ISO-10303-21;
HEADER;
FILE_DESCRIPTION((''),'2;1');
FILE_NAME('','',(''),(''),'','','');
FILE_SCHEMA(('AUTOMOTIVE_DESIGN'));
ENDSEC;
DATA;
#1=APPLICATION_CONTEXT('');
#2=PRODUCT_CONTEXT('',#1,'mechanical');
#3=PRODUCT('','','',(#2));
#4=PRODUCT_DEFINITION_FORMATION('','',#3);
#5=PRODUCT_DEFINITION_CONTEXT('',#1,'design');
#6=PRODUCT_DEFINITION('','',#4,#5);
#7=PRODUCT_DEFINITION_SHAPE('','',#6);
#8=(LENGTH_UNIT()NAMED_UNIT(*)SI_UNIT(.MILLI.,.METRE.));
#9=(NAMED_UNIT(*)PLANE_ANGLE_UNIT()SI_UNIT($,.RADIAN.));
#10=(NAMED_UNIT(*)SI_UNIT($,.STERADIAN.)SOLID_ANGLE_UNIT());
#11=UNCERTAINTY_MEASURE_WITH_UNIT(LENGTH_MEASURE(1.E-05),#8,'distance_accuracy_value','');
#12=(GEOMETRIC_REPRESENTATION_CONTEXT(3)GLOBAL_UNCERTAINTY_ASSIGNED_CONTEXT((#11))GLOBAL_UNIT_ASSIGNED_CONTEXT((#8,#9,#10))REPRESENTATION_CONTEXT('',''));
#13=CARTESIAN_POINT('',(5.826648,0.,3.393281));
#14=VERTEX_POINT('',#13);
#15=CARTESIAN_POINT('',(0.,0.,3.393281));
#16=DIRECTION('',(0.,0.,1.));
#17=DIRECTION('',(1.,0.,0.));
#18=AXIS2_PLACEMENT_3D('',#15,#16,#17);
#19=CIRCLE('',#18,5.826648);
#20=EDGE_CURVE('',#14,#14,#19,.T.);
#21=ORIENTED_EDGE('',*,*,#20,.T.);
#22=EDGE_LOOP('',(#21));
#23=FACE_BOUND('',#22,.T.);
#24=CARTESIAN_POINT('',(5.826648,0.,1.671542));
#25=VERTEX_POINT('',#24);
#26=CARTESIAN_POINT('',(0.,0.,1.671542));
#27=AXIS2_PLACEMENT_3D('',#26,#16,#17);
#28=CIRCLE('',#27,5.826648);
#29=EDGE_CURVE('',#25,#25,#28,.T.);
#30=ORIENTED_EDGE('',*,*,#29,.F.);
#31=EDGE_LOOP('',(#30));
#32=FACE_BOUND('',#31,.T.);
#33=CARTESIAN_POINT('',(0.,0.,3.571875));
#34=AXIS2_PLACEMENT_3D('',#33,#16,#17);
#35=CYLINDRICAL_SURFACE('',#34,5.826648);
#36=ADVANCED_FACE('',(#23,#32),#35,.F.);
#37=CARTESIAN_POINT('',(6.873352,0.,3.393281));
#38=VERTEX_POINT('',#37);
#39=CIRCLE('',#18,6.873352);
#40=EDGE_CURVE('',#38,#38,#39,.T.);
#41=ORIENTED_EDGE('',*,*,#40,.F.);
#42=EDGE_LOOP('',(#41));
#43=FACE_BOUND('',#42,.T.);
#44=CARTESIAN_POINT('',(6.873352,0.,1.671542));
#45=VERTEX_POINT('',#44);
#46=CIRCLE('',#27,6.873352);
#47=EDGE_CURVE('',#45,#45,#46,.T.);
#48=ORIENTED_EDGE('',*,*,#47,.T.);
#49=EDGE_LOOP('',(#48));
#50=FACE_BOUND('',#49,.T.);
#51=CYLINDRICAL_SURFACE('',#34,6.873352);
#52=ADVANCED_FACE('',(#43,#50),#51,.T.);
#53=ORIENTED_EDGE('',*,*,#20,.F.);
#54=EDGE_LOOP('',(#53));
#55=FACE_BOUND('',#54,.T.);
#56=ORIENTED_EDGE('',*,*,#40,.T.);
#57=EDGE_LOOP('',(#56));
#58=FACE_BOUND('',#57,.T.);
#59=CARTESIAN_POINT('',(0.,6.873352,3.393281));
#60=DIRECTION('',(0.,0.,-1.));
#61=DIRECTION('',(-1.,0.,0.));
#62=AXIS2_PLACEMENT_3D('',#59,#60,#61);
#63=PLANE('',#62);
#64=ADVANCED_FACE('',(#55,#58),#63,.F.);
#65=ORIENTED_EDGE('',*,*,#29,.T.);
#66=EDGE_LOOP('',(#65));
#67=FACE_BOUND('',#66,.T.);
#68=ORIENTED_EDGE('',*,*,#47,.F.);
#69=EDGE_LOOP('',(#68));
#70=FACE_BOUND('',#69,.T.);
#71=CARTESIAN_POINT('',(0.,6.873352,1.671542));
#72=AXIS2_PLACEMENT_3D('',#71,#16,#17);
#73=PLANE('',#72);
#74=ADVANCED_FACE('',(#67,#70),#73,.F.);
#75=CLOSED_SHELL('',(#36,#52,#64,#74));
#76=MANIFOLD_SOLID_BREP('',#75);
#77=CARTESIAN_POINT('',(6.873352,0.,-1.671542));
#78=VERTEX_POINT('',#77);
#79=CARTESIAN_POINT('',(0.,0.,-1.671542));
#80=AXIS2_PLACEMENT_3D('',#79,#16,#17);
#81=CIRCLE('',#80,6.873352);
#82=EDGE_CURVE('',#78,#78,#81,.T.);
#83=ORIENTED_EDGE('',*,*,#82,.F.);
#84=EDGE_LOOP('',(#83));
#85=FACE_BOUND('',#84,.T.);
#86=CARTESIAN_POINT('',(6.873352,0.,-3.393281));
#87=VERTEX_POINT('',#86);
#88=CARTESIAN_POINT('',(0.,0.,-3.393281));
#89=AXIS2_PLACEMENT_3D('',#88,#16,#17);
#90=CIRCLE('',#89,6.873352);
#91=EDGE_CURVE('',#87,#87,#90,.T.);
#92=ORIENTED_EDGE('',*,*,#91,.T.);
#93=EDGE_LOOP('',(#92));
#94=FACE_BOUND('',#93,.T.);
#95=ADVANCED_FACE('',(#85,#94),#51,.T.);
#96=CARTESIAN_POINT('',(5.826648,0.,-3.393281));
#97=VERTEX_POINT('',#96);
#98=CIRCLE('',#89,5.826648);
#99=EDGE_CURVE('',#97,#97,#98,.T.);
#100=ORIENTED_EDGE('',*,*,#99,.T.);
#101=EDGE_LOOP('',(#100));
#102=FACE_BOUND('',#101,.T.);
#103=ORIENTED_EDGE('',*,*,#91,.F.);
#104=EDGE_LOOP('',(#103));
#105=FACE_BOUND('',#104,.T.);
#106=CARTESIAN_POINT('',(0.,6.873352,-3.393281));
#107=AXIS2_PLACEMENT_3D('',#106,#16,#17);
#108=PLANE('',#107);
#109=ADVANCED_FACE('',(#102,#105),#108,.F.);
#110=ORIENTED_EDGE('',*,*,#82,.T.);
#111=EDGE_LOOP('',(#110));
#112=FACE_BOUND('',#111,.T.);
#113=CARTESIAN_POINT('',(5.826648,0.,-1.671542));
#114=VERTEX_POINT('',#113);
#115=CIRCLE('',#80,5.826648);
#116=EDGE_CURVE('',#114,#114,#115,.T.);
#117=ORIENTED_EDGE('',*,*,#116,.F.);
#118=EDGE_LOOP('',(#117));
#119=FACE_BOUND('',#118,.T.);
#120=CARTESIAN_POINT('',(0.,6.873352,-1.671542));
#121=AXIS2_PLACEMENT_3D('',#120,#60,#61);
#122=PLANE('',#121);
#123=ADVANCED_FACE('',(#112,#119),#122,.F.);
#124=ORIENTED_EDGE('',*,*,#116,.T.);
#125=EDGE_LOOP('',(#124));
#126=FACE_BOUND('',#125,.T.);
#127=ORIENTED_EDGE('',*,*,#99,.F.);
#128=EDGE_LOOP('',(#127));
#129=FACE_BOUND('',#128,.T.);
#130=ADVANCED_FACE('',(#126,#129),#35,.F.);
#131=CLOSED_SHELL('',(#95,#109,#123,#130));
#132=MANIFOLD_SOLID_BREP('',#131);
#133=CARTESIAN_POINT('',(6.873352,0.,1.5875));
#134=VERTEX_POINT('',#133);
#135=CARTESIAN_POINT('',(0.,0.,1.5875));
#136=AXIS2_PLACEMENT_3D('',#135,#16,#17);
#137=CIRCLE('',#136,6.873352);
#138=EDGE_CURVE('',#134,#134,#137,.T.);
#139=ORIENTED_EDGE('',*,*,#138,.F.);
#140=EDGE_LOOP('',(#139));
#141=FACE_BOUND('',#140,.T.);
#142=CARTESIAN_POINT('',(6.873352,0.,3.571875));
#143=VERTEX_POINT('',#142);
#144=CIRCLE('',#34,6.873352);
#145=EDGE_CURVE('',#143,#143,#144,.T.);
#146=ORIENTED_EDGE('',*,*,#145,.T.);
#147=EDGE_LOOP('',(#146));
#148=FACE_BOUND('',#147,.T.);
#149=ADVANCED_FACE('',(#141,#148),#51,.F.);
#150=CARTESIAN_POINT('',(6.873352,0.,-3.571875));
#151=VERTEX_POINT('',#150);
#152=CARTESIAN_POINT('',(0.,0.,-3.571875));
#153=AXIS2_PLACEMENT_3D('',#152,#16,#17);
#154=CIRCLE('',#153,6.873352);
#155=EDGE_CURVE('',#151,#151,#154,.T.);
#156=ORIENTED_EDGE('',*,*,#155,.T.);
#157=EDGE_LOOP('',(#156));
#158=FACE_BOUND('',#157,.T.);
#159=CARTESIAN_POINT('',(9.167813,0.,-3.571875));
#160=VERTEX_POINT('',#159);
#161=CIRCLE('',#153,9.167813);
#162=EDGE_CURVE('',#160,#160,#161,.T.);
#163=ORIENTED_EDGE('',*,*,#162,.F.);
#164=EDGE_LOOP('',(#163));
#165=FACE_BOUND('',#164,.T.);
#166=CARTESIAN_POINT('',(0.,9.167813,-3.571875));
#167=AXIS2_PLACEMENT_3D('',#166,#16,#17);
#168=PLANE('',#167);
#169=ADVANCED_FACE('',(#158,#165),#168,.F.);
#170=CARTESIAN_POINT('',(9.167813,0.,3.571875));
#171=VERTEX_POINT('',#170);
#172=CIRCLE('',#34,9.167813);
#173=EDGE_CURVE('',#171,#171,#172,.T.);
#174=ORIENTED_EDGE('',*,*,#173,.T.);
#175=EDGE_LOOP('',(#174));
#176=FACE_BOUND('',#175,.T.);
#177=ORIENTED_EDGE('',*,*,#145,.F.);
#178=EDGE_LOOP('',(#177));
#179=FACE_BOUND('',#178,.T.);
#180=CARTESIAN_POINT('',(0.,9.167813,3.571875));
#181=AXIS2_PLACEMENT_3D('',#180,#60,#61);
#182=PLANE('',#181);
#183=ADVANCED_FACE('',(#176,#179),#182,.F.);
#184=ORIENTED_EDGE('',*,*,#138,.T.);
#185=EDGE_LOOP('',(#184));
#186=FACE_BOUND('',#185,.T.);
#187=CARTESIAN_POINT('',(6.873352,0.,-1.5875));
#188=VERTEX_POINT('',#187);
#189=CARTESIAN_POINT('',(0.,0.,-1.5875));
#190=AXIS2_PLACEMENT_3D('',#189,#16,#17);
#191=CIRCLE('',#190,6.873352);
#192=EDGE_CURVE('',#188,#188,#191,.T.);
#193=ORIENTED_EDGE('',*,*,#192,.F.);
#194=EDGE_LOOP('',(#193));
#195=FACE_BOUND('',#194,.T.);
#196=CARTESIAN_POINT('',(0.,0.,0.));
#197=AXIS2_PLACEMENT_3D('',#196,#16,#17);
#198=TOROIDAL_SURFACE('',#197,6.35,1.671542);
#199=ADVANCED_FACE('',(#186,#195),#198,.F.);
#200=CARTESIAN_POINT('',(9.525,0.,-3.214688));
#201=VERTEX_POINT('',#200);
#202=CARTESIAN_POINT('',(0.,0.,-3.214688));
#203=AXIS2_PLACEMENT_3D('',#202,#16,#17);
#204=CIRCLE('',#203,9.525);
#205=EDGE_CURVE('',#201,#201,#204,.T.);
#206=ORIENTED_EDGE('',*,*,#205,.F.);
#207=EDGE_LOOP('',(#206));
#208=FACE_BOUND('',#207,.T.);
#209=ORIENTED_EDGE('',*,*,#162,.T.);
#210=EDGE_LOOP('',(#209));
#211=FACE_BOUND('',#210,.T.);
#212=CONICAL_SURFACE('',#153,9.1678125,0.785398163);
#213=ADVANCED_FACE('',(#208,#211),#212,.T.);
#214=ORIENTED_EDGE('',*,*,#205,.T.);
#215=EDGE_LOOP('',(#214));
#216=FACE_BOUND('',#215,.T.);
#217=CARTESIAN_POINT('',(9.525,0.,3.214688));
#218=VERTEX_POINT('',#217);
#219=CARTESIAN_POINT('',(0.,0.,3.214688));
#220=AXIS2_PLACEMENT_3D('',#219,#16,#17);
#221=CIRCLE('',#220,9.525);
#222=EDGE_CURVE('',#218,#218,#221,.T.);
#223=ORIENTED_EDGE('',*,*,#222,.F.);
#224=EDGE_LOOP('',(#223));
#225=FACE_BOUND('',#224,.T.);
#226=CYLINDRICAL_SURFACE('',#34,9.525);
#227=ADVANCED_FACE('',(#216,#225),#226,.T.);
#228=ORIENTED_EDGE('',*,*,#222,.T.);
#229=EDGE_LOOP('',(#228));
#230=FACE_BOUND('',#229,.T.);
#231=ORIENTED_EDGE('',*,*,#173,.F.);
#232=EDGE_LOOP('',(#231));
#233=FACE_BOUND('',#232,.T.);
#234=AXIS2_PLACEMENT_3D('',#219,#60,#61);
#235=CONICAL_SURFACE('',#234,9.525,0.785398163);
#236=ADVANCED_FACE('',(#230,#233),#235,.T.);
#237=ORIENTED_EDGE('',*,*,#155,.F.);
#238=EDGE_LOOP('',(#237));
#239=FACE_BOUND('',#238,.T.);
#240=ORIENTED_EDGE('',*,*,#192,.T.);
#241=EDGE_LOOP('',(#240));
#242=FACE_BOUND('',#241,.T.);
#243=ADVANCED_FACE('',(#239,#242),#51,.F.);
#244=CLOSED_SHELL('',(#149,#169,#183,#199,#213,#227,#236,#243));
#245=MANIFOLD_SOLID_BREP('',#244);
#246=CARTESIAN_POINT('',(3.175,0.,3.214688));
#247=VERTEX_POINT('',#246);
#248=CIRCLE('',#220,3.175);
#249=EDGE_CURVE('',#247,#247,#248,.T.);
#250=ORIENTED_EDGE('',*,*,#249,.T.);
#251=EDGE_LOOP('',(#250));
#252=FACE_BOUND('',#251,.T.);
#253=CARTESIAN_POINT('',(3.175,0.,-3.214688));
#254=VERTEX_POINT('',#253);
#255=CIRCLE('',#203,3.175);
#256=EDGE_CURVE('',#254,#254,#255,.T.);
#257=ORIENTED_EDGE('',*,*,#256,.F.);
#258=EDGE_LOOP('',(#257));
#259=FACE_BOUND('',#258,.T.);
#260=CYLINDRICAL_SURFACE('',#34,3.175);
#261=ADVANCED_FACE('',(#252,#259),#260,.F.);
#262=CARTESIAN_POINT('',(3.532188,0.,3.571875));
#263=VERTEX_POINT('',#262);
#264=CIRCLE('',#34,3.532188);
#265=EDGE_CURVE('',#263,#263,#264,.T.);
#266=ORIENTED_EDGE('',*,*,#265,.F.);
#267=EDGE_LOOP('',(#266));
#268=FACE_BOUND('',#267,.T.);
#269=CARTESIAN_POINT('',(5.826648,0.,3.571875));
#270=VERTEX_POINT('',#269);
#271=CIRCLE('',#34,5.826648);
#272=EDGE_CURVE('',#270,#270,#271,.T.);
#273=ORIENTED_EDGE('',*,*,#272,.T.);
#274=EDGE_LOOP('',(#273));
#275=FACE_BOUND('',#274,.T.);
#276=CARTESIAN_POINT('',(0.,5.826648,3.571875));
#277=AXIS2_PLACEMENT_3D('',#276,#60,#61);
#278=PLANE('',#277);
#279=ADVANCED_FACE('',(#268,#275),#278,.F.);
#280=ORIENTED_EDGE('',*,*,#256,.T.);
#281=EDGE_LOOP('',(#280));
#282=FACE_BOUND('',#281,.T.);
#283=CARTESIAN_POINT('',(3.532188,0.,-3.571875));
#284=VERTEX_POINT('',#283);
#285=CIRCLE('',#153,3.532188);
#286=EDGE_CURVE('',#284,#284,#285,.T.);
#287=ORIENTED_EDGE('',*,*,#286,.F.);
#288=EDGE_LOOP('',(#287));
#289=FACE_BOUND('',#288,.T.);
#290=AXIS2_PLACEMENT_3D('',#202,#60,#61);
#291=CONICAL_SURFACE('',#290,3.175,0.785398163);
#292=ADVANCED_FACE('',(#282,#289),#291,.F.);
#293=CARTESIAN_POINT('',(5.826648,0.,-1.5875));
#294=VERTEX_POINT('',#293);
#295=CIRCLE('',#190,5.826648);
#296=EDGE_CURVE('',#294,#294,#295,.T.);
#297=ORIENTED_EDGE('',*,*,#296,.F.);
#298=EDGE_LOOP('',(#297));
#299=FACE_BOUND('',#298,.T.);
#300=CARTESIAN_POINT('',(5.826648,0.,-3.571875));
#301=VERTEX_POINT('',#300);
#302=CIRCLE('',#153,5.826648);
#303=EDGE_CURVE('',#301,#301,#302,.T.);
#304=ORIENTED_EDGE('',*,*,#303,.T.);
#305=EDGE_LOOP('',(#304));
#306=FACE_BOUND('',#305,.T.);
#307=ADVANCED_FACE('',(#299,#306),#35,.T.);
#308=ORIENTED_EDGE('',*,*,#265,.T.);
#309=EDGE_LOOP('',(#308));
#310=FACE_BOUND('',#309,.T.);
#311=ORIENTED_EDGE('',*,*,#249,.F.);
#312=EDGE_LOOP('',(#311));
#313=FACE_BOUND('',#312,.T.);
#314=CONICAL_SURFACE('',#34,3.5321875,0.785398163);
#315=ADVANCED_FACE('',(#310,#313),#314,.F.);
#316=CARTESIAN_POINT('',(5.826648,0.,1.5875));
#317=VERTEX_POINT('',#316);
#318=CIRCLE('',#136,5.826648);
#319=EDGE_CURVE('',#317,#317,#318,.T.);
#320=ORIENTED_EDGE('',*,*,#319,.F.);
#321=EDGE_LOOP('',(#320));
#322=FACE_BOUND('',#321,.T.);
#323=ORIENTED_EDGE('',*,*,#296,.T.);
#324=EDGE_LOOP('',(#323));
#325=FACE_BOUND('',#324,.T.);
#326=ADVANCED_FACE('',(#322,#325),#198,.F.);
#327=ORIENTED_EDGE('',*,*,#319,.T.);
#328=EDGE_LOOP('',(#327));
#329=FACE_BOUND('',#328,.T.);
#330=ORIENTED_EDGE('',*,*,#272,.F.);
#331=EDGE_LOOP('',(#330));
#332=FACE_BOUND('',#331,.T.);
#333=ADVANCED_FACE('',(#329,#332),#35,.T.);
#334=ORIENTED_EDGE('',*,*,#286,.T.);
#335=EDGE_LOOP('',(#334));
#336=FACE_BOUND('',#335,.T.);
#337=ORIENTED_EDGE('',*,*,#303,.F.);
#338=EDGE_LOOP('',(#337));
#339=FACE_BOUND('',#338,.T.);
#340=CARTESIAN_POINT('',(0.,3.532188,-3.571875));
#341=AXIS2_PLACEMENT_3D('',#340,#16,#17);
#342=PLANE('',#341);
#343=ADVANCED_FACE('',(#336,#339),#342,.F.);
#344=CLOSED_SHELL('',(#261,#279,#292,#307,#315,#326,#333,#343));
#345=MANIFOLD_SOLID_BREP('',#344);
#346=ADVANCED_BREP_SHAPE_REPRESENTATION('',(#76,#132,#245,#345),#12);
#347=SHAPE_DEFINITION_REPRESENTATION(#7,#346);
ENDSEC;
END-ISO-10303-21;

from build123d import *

# Parameters (mm, degrees)
SKETCH5_W = 1.721739088
SKETCH5_H = 1.046703296


with BuildPart() as part:
    # Sketch1 → Revolve1 (revolve)
    with BuildSketch(Plane(origin=(0, 0, 0), x_dir=(0, 0, -1), z_dir=(1, 0, 0))):
        with BuildLine():
            Line((3.2146875, 9.525), (-3.2146875, 9.525))
            Line((-3.2146875, 9.525), (-3.571875, 9.1678125))
            Line((-3.571875, 9.1678125), (-3.571875, 6.873351648))
            Line((-3.571875, 6.873351648), (-1.5875, 6.873351648))
            ThreePointArc((-1.5875, 6.873351648), (0, 8.021542162), (1.5875, 6.873351648))
            Line((1.5875, 6.873351648), (3.571875, 6.873351648))
            Line((3.571875, 6.873351648), (3.571875, 9.1678125))
            Line((3.571875, 9.1678125), (3.2146875, 9.525))
        make_face()
    revolve(axis=Axis((0, 0, 3.571875), (0, 0, -1)))


with BuildPart() as body_2:
    # Sketch3 → Revolve3 (revolve)
    with BuildSketch(Plane(origin=(0, 0, 0), x_dir=(0, 0, -1), z_dir=(1, 0, 0))):
        with BuildLine():
            Line((-3.571875, 5.826648352), (-1.5875, 5.826648352))
            ThreePointArc((-1.5875, 5.826648352), (0, 4.678457838), (1.5875, 5.826648352))
            Line((1.5875, 5.826648352), (3.571875, 5.826648352))
            Line((3.571875, 5.826648352), (3.571875, 3.5321875))
            Line((3.571875, 3.5321875), (3.2146875, 3.175))
            Line((3.2146875, 3.175), (-3.2146875, 3.175))
            Line((-3.2146875, 3.175), (-3.571875, 3.5321875))
            Line((-3.571875, 3.5321875), (-3.571875, 5.826648352))
        make_face()
    revolve(axis=Axis((0, 0, 3.571875), (0, 0, -1)))


with BuildPart() as body_3:
    # Sketch5 → Revolve5 (revolve)
    with BuildSketch(Plane(origin=(0, 0, 0), x_dir=(0, 0, -1), z_dir=(1, 0, 0))):
        with Locations((-2.532411706, 6.35)):
            Rectangle(SKETCH5_W, SKETCH5_H)
        with Locations((2.532411706, 6.35)):
            Rectangle(SKETCH5_W, SKETCH5_H)
    revolve(axis=Axis((0, 0, 3.571875), (0, 0, -1)))


solid = Compound([part.part, body_2.part, body_3.part])
